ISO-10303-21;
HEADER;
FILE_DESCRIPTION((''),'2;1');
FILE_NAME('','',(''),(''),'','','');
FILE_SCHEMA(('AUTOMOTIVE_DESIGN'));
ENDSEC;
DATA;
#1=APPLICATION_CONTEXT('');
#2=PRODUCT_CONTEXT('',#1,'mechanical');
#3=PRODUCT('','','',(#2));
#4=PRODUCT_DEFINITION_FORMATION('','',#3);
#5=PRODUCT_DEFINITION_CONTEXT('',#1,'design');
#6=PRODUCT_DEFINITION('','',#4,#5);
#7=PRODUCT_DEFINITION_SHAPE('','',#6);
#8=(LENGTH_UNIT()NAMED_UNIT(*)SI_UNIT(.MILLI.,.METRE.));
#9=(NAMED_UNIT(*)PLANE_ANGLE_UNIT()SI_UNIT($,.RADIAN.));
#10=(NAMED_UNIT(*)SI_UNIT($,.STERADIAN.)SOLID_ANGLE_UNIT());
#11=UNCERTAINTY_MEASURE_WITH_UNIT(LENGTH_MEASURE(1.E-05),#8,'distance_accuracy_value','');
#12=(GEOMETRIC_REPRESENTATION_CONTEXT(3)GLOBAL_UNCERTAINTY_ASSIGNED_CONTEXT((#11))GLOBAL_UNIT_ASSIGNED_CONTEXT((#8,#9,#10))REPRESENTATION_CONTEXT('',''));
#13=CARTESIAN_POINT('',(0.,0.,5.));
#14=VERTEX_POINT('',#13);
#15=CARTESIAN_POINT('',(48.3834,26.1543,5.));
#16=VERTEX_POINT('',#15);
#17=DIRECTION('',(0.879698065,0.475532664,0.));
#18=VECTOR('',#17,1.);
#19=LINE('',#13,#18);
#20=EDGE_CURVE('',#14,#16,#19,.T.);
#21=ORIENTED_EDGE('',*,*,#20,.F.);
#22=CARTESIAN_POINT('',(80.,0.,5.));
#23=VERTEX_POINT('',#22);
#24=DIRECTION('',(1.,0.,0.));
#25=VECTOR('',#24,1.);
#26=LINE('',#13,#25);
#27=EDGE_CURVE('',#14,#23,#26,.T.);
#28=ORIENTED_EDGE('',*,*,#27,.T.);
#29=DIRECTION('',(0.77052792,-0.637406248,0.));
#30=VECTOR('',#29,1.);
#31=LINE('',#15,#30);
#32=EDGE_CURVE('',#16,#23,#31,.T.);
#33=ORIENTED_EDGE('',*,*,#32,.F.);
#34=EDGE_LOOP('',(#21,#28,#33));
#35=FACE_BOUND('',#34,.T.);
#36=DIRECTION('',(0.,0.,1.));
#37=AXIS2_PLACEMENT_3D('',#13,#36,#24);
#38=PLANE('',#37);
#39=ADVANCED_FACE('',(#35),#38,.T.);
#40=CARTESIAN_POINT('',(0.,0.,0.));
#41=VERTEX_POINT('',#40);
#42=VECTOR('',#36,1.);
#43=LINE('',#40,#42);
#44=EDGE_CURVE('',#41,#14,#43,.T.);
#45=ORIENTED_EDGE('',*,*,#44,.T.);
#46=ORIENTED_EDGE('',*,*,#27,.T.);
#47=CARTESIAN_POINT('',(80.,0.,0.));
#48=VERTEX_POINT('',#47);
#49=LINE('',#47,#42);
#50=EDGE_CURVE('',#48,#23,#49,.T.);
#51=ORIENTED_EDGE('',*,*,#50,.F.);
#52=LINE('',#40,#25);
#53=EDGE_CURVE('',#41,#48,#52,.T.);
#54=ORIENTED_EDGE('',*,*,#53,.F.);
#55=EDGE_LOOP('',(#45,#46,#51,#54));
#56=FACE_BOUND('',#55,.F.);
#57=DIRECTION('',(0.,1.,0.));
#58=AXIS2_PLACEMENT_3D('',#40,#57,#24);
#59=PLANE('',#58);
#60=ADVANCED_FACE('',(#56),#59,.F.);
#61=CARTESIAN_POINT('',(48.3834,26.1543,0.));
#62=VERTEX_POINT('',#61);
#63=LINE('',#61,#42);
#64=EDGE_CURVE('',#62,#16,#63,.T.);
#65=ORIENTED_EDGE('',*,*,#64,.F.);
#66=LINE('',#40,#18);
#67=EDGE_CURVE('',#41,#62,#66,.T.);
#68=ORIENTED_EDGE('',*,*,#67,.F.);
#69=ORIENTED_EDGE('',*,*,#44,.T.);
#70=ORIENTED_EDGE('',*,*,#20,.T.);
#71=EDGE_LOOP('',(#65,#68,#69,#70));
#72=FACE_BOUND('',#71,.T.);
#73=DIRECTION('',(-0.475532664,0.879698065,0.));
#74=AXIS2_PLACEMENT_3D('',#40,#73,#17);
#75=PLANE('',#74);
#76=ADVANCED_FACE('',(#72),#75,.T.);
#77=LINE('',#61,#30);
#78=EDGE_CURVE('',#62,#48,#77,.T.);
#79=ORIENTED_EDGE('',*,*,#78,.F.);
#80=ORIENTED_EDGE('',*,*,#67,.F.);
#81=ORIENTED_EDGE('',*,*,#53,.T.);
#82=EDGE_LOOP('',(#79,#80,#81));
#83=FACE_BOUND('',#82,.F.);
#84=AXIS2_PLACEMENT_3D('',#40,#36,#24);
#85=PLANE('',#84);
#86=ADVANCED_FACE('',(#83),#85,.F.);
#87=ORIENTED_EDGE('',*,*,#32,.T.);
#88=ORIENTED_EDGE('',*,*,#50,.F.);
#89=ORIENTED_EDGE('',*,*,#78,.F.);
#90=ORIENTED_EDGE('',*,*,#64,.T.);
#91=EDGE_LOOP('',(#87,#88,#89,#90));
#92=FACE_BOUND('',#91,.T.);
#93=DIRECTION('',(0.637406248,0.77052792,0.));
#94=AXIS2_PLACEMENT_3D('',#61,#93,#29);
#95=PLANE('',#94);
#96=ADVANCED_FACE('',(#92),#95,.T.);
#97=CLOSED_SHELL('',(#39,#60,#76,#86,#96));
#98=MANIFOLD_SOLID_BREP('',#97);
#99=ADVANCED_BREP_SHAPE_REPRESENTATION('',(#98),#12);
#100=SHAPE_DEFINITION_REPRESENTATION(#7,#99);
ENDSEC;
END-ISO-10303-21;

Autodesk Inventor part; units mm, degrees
ref_plane "YZ Plane" through (0, 0, 0) normal (1, 0, 0) x (0, 1, 0)
ref_plane "XZ Plane" through (0, 0, 0) normal (0, 1, 0) x (-1, 0, 0)
ref_plane "XY Plane" through (0, 0, 0) normal (0, 0, 1) x (1, 0, 0)
sketch "Szkic1" plane through (0, 0, 0) normal (0, 0, 1) x (1, 0, 0)
  line L0 (0, 0) -> (80, 0)
  line L1 (0, 0) -> (48.3834, 26.1543)
  line L2 (48.3834, 26.1543) -> (80, 0)
  dimension "d0" = 80
  dimension "d1" = 55
  dimension "d5" = 39.599
extrude "Wyciągnięcie proste1" add sketch "Szkic1" along normal blind 5
properties part number "flap"
